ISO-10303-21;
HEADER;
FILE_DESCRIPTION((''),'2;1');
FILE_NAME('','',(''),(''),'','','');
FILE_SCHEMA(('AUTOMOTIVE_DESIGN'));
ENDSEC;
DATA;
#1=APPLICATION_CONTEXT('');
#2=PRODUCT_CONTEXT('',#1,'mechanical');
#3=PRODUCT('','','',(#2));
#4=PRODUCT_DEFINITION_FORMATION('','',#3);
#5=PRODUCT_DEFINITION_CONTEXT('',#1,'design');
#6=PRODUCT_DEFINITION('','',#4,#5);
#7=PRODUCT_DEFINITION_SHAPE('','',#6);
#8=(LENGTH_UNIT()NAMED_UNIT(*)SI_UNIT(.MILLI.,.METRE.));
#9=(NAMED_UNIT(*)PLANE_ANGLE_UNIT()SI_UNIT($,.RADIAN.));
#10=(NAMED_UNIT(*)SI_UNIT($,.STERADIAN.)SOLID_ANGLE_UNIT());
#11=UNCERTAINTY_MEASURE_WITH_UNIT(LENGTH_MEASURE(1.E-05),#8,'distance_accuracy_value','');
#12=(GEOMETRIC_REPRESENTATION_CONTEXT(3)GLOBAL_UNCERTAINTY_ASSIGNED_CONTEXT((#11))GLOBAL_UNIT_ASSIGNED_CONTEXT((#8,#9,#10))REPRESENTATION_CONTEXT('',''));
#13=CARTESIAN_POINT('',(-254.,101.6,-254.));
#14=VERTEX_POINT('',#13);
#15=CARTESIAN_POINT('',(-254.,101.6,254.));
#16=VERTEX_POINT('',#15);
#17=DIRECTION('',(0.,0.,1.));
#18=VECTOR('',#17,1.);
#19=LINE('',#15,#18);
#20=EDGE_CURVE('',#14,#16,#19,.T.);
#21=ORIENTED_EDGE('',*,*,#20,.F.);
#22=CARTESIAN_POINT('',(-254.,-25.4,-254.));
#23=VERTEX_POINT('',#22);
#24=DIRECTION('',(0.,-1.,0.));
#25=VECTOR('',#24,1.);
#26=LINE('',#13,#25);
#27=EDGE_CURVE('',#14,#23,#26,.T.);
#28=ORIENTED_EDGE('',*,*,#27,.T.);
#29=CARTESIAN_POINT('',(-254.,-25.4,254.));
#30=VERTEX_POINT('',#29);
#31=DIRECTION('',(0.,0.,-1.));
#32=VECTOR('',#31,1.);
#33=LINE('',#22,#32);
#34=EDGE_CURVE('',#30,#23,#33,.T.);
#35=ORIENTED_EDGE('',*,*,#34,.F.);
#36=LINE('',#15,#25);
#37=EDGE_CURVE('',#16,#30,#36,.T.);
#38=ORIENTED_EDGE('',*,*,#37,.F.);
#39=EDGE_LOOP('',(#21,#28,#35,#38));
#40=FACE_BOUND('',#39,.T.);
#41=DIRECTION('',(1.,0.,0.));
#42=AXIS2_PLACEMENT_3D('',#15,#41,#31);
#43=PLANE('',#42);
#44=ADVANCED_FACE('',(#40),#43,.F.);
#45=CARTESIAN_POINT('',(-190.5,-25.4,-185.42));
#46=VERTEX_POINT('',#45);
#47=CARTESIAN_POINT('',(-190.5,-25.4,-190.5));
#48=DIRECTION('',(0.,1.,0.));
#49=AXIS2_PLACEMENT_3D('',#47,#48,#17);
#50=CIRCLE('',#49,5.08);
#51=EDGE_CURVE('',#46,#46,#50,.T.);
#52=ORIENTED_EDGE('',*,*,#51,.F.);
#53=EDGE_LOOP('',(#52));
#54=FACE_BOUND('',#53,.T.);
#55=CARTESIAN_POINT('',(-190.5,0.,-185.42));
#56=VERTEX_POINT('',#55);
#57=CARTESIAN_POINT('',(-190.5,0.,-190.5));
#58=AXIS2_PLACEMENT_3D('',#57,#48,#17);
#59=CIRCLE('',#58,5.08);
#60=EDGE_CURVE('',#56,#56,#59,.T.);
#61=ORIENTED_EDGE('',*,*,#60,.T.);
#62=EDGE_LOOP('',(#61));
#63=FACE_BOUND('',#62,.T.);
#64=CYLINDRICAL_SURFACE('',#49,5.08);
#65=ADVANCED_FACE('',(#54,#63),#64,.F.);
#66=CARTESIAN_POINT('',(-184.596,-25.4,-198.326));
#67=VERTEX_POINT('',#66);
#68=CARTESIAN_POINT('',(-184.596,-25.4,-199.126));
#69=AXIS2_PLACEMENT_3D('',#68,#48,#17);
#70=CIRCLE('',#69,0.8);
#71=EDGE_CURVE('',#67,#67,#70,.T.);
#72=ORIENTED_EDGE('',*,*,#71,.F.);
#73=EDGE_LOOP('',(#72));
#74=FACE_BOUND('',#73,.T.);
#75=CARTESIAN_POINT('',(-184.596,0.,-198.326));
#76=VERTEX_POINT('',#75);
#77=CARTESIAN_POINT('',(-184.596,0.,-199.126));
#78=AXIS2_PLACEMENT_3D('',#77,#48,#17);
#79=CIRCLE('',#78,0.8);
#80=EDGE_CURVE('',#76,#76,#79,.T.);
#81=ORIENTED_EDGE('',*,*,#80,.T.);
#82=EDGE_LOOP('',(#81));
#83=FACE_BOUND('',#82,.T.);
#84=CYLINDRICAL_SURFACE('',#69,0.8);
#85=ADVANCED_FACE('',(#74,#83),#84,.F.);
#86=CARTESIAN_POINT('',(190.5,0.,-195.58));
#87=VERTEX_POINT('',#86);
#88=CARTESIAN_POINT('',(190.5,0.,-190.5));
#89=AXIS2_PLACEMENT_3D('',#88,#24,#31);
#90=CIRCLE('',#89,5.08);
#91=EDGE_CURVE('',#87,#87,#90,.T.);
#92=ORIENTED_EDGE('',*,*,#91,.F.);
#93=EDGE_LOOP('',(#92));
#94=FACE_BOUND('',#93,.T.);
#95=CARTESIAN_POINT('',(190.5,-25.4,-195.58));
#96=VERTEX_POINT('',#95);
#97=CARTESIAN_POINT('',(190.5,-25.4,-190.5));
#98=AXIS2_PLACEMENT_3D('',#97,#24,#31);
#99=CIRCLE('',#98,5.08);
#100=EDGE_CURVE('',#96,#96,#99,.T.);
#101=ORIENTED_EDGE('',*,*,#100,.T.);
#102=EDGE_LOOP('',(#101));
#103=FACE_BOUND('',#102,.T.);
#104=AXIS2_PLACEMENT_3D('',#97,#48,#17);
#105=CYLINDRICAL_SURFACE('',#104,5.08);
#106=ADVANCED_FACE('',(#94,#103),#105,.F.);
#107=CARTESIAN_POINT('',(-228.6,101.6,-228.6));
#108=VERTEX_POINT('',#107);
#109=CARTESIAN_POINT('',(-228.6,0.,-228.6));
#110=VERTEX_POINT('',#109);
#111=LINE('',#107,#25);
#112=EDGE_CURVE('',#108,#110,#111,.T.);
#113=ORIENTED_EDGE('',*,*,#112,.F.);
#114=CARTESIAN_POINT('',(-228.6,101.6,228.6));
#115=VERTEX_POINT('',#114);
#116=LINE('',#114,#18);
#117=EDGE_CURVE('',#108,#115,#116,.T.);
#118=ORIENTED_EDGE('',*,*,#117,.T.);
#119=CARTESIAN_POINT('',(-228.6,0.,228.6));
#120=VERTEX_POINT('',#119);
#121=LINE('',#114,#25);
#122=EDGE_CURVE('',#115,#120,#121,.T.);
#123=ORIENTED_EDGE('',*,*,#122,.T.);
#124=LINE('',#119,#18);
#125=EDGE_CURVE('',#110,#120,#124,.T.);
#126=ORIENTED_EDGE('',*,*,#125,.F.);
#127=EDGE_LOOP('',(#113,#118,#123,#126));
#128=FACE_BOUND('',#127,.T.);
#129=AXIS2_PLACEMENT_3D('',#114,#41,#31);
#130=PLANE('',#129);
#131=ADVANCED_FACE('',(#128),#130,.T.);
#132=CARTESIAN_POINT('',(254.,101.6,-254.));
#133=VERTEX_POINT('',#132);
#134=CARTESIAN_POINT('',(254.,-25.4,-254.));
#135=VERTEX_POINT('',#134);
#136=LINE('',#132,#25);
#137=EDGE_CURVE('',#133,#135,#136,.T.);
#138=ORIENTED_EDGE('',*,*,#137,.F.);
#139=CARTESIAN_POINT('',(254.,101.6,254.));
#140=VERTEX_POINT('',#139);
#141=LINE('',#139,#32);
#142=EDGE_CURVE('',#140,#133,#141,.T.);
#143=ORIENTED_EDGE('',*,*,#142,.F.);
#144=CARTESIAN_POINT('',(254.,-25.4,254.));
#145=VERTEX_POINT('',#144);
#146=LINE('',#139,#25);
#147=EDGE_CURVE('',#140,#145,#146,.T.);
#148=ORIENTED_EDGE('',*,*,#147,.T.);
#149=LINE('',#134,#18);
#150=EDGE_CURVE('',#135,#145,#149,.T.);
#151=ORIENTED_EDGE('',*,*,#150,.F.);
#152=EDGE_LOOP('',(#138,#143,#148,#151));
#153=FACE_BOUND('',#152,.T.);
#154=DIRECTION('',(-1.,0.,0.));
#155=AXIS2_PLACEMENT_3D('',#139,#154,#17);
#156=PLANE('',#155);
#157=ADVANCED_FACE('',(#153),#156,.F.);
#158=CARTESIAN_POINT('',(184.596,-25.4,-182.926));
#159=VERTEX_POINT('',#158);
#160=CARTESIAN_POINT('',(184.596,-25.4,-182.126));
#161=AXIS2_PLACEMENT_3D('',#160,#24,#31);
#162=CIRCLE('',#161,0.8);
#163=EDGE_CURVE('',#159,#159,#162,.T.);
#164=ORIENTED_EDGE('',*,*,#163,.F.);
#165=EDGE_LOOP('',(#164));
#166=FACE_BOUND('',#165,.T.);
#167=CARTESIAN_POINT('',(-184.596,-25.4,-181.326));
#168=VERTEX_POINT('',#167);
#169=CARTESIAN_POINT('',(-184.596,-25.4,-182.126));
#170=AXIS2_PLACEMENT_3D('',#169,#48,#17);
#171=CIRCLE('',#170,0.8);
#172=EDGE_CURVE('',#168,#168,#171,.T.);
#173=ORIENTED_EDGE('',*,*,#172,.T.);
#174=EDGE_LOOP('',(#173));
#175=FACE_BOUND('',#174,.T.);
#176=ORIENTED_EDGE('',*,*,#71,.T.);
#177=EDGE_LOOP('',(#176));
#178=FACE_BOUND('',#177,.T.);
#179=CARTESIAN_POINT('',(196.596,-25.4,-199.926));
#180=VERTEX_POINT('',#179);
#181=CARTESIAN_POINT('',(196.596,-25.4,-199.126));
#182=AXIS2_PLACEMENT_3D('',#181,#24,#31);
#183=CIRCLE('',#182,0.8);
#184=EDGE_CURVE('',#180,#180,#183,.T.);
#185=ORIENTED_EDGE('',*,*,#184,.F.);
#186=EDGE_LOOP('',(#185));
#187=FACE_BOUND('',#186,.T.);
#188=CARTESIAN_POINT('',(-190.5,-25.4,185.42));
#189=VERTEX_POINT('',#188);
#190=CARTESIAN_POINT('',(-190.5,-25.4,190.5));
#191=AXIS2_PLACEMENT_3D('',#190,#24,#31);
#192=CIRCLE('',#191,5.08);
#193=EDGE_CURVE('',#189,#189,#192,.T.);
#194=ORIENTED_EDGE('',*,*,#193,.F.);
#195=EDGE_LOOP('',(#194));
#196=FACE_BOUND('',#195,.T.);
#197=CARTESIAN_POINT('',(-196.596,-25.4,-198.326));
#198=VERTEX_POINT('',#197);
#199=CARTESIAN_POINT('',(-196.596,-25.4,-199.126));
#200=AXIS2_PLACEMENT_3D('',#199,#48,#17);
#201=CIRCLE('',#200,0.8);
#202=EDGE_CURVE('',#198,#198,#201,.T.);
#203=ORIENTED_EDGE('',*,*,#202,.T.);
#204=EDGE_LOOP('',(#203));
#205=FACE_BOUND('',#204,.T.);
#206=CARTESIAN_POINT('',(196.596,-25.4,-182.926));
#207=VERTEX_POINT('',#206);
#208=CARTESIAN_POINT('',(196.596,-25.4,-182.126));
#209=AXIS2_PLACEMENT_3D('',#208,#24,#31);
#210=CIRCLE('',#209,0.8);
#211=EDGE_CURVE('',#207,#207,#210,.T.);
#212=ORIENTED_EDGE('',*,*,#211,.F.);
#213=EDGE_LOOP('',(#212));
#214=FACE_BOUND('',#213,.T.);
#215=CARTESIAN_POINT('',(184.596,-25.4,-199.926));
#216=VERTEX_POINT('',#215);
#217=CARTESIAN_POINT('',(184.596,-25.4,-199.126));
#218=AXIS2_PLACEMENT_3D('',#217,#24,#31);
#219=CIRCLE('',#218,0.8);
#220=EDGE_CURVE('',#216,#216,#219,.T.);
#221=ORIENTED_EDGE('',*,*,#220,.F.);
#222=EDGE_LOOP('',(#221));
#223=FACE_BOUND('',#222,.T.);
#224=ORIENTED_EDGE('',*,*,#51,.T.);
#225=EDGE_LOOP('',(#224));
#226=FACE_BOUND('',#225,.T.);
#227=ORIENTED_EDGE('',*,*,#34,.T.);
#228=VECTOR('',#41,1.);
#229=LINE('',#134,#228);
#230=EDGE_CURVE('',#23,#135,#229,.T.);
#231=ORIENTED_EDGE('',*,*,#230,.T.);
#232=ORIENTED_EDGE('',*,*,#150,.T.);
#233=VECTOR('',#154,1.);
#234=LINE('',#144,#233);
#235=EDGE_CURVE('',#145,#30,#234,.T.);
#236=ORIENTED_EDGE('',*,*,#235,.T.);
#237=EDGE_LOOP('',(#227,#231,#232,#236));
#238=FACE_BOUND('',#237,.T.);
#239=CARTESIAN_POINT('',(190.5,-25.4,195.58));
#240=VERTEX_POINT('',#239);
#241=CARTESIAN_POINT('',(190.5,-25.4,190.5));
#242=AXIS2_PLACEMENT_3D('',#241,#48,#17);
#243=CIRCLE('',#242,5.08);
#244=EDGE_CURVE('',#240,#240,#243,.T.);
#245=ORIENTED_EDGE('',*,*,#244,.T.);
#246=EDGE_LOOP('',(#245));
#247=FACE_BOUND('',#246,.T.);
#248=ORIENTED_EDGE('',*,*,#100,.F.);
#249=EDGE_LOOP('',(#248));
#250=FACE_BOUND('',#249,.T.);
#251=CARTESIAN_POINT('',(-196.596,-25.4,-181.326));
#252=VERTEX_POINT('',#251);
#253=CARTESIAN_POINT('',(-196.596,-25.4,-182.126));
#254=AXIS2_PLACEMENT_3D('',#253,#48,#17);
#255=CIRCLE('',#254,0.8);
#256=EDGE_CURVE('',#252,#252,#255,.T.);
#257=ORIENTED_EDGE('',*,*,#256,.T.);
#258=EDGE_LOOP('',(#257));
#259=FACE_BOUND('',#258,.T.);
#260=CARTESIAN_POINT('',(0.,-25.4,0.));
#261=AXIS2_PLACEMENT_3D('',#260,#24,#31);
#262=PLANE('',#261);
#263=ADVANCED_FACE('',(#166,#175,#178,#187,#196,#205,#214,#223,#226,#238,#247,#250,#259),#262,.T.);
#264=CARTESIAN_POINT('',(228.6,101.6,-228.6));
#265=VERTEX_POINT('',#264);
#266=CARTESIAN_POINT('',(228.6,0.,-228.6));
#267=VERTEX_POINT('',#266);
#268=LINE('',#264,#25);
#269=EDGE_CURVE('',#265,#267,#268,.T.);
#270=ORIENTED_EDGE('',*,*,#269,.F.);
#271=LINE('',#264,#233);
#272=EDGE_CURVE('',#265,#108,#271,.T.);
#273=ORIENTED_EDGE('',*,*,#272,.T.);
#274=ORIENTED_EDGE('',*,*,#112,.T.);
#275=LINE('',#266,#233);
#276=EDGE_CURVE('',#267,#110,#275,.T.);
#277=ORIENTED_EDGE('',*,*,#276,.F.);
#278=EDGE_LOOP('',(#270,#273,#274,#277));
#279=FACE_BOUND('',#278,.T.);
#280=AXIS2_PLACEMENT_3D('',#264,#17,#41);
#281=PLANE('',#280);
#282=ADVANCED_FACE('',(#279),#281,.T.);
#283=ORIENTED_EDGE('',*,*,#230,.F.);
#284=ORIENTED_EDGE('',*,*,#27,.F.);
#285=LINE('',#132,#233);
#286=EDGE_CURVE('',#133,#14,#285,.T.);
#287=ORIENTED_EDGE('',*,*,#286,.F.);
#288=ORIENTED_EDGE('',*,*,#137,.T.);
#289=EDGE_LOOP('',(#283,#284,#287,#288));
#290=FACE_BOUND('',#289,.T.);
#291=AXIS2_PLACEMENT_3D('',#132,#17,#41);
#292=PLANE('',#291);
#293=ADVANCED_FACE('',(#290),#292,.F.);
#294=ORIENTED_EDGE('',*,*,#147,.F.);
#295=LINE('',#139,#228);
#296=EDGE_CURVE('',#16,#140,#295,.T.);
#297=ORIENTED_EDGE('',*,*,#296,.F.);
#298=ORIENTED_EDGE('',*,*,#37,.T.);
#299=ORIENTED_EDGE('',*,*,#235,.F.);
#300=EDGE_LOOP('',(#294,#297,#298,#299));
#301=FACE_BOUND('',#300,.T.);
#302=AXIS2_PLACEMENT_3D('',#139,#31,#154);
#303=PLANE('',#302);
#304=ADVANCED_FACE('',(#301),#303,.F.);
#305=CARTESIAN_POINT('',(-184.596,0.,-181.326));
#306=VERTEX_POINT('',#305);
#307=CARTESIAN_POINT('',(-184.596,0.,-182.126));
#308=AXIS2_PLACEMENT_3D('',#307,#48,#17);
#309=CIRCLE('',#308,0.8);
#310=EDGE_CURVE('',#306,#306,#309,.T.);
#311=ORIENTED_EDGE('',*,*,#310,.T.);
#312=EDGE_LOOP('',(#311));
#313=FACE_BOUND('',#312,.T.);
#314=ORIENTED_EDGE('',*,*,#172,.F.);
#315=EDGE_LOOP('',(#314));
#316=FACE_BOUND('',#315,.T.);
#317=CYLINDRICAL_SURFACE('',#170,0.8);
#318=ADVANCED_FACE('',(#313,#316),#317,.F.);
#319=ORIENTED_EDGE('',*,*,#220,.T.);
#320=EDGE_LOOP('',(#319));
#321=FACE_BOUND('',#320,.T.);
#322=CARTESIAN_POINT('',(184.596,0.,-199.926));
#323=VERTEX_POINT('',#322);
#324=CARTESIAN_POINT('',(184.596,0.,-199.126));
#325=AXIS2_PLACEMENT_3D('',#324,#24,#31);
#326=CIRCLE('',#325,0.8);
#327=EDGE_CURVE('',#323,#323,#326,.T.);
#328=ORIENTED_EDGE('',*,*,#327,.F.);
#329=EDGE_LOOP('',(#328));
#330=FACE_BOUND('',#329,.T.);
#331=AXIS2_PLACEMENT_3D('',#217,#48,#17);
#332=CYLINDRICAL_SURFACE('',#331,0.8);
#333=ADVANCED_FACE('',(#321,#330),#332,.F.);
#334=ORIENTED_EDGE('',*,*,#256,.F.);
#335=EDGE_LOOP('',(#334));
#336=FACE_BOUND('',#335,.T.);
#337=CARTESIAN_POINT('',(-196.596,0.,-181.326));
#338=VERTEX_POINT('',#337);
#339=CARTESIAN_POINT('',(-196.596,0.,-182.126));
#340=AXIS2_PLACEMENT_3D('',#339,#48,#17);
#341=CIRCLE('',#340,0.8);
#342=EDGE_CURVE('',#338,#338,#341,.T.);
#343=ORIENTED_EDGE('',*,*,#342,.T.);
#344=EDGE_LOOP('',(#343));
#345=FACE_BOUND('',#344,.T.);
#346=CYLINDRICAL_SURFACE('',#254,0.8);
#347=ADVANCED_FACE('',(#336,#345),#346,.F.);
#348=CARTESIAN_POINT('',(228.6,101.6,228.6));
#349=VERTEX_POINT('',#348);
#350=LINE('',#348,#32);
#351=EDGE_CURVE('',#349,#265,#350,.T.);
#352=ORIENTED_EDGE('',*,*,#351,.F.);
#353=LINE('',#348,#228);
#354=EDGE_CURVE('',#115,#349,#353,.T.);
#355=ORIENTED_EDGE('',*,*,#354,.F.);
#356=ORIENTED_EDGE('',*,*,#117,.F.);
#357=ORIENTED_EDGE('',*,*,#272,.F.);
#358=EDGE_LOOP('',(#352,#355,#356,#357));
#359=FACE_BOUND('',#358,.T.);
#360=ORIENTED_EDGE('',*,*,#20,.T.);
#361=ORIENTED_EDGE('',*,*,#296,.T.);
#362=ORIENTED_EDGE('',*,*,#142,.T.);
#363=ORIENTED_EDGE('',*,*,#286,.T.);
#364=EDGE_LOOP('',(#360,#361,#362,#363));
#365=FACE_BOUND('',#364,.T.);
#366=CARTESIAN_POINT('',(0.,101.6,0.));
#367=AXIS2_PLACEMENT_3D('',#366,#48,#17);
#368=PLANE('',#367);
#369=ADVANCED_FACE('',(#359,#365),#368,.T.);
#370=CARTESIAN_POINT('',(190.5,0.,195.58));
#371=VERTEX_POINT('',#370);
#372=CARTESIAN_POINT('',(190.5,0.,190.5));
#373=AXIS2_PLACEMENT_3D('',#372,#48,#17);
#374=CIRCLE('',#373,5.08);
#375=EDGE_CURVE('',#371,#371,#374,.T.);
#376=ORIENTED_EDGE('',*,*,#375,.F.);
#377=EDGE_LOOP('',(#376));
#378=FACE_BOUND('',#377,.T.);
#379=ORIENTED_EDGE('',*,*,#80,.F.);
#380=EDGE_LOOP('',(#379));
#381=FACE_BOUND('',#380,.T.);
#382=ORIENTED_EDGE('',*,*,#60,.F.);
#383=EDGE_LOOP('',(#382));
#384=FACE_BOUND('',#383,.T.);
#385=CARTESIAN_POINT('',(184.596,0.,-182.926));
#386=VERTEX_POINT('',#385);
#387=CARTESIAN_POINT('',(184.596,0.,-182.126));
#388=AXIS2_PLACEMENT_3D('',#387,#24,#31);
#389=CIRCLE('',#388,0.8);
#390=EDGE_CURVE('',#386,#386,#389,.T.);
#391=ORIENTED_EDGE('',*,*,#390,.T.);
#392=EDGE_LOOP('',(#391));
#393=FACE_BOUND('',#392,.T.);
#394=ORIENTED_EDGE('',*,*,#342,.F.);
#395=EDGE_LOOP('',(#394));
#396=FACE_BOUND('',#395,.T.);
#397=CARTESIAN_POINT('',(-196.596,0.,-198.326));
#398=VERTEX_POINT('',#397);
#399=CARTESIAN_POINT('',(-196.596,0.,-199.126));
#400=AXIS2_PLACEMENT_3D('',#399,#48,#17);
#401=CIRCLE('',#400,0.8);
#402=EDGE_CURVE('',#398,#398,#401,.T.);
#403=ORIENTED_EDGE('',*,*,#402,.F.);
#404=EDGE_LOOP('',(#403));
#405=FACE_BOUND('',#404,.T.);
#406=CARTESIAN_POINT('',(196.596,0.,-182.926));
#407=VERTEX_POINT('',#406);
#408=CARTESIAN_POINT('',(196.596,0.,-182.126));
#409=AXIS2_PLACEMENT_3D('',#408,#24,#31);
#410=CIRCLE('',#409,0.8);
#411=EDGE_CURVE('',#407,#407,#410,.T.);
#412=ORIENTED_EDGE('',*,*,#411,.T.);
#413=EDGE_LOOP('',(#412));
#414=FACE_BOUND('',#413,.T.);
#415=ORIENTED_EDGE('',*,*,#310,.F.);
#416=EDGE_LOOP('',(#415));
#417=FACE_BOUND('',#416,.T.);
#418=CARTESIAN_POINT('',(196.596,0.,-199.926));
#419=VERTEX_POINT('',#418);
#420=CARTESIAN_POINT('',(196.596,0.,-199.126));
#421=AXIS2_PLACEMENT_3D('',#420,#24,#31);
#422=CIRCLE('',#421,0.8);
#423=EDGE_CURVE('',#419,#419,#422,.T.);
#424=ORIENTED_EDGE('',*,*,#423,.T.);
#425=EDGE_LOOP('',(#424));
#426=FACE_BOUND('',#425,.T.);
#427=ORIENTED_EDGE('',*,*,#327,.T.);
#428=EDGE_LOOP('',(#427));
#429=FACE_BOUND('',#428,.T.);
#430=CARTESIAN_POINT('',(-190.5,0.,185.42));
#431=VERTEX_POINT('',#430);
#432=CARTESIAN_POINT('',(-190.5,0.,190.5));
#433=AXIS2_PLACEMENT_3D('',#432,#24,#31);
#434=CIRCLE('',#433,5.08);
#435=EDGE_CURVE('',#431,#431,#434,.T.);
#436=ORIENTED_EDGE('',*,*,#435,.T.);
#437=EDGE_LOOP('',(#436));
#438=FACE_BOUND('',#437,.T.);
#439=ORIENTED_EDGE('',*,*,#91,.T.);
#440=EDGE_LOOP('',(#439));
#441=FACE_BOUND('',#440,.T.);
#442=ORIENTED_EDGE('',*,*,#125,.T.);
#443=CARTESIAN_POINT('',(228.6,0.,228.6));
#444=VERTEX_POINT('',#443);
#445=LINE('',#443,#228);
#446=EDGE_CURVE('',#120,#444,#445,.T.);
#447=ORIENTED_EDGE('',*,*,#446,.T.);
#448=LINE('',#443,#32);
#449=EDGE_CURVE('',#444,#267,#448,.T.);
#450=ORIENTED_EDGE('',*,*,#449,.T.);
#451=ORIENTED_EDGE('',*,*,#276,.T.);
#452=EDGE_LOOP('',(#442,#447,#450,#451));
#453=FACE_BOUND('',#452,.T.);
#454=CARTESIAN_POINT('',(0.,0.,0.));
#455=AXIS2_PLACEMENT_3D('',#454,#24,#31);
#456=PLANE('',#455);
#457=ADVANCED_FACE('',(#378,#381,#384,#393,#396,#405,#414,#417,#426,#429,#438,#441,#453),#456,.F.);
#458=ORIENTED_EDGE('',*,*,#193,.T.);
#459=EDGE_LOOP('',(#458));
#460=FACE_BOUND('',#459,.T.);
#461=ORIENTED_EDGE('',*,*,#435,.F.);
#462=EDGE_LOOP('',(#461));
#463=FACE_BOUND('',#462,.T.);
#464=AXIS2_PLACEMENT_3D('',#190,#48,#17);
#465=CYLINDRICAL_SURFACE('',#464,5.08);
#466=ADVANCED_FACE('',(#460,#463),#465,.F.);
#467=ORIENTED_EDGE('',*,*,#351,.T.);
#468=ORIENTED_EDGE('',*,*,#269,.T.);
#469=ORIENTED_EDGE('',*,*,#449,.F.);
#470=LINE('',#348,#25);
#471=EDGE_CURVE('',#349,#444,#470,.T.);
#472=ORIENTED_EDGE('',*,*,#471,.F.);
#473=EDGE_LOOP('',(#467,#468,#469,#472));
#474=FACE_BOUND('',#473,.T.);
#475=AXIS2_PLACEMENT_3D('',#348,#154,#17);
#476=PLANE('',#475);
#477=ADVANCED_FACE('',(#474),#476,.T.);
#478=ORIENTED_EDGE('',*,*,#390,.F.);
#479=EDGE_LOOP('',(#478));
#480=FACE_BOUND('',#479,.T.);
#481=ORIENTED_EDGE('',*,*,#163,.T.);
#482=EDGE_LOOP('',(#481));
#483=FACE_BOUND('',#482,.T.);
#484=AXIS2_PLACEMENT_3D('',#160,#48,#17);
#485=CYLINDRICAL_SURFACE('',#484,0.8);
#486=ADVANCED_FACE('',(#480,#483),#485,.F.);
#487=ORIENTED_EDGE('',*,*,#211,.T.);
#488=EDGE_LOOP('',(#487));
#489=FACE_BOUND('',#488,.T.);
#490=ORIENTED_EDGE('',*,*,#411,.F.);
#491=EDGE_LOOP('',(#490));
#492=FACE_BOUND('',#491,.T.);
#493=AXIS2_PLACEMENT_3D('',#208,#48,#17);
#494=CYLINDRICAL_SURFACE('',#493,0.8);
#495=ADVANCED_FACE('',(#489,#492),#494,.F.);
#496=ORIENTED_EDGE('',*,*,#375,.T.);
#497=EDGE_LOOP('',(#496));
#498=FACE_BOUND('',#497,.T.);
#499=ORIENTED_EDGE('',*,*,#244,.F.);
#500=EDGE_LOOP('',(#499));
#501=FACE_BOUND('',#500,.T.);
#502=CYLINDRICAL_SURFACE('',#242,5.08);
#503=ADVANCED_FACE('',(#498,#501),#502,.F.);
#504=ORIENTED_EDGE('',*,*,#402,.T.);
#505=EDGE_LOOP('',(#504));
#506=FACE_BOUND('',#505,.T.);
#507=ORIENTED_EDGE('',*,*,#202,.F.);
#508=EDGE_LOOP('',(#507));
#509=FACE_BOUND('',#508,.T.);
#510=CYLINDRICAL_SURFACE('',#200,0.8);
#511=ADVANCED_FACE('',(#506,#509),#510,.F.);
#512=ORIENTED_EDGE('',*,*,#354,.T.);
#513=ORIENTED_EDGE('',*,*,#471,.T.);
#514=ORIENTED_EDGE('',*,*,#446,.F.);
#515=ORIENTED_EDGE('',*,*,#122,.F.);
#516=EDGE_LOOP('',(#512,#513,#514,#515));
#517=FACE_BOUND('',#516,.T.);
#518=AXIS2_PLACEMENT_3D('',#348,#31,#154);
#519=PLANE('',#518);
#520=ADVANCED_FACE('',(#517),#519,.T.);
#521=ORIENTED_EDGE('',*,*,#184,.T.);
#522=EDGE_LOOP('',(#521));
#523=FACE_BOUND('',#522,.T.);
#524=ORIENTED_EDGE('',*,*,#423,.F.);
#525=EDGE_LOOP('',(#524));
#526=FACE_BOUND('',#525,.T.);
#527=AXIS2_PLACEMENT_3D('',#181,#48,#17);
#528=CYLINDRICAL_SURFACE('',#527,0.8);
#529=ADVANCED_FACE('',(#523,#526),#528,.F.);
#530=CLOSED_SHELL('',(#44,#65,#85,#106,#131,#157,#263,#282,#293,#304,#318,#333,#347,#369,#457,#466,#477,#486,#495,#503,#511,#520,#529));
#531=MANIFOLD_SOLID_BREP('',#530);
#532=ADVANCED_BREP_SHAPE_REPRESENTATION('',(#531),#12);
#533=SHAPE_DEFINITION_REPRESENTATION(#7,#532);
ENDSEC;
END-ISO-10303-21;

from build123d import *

# Parameters (mm, degrees)
SKETCH1_W           = 508
SKETCH1_H           = 508
SKETCH1_W_2         = 457.2
SKETCH1_H_2         = 457.2
BOSS_EXTRUDE1_DEPTH = 101.6
SKETCH2_W           = 508
SKETCH2_H           = 508
BOSS_EXTRUDE2_DEPTH = 25.4
SKETCH3_R           = 0.8
SKETCH3_R_2         = 5.08
CUT_EXTRUDE1_DEPTH  = 25.4


with BuildPart() as part:
    # Sketch1 → Boss-Extrude1 (new body)
    with BuildSketch(Plane(origin=(0, 0, 0), x_dir=(1, 0, 0), z_dir=(0, 1, 0))):
        Rectangle(SKETCH1_W, SKETCH1_H)
        Rectangle(SKETCH1_W_2, SKETCH1_H_2, mode=Mode.SUBTRACT)
    extrude(amount=BOSS_EXTRUDE1_DEPTH)

    # Sketch2 → Boss-Extrude2 (add)
    with BuildSketch(Plane.XZ):
        Rectangle(SKETCH2_W, SKETCH2_H)
    extrude(amount=BOSS_EXTRUDE2_DEPTH)

    # Sketch3 → Cut-Extrude1 (cut)
    with BuildSketch(Plane(origin=(0, 0, 0), x_dir=(1, 0, 0), z_dir=(0, 1, 0))):
        with Locations(Location((-196.596, 199.126, 0), (0, 0, 270))):
            Circle(SKETCH3_R)
        with Locations(Location((-184.596, 199.126, 0), (0, 0, 270))):
            Circle(SKETCH3_R)
        with Locations(Location((-190.5, 190.5, 0), (0, 0, 270))):
            Circle(SKETCH3_R_2)
        with Locations(Location((-184.596, 182.126, 0), (0, 0, 270))):
            Circle(SKETCH3_R)
        with Locations(Location((-196.596, 182.126, 0), (0, 0, 270))):
            Circle(SKETCH3_R)
        with Locations(Location((190.5, 190.5, 0), (0, 0, 90))):
            Circle(SKETCH3_R_2)
        with Locations(Location((184.596, 199.126, 0), (0, 0, 90))):
            Circle(SKETCH3_R)
        with Locations(Location((184.596, 182.126, 0), (0, 0, 90))):
            Circle(SKETCH3_R)
        with Locations(Location((196.596, 182.126, 0), (0, 0, 90))):
            Circle(SKETCH3_R)
        with Locations(Location((196.596, 199.126, 0), (0, 0, 90))):
            Circle(SKETCH3_R)
        with Locations(Location((190.5, -190.5, 0), (0, 0, 270))):
            Circle(SKETCH3_R_2)
        with Locations(Location((-190.5, -190.5, 0), (0, 0, 90))):
            Circle(SKETCH3_R_2)
    extrude(amount=-CUT_EXTRUDE1_DEPTH, mode=Mode.SUBTRACT)


solid = part.part
